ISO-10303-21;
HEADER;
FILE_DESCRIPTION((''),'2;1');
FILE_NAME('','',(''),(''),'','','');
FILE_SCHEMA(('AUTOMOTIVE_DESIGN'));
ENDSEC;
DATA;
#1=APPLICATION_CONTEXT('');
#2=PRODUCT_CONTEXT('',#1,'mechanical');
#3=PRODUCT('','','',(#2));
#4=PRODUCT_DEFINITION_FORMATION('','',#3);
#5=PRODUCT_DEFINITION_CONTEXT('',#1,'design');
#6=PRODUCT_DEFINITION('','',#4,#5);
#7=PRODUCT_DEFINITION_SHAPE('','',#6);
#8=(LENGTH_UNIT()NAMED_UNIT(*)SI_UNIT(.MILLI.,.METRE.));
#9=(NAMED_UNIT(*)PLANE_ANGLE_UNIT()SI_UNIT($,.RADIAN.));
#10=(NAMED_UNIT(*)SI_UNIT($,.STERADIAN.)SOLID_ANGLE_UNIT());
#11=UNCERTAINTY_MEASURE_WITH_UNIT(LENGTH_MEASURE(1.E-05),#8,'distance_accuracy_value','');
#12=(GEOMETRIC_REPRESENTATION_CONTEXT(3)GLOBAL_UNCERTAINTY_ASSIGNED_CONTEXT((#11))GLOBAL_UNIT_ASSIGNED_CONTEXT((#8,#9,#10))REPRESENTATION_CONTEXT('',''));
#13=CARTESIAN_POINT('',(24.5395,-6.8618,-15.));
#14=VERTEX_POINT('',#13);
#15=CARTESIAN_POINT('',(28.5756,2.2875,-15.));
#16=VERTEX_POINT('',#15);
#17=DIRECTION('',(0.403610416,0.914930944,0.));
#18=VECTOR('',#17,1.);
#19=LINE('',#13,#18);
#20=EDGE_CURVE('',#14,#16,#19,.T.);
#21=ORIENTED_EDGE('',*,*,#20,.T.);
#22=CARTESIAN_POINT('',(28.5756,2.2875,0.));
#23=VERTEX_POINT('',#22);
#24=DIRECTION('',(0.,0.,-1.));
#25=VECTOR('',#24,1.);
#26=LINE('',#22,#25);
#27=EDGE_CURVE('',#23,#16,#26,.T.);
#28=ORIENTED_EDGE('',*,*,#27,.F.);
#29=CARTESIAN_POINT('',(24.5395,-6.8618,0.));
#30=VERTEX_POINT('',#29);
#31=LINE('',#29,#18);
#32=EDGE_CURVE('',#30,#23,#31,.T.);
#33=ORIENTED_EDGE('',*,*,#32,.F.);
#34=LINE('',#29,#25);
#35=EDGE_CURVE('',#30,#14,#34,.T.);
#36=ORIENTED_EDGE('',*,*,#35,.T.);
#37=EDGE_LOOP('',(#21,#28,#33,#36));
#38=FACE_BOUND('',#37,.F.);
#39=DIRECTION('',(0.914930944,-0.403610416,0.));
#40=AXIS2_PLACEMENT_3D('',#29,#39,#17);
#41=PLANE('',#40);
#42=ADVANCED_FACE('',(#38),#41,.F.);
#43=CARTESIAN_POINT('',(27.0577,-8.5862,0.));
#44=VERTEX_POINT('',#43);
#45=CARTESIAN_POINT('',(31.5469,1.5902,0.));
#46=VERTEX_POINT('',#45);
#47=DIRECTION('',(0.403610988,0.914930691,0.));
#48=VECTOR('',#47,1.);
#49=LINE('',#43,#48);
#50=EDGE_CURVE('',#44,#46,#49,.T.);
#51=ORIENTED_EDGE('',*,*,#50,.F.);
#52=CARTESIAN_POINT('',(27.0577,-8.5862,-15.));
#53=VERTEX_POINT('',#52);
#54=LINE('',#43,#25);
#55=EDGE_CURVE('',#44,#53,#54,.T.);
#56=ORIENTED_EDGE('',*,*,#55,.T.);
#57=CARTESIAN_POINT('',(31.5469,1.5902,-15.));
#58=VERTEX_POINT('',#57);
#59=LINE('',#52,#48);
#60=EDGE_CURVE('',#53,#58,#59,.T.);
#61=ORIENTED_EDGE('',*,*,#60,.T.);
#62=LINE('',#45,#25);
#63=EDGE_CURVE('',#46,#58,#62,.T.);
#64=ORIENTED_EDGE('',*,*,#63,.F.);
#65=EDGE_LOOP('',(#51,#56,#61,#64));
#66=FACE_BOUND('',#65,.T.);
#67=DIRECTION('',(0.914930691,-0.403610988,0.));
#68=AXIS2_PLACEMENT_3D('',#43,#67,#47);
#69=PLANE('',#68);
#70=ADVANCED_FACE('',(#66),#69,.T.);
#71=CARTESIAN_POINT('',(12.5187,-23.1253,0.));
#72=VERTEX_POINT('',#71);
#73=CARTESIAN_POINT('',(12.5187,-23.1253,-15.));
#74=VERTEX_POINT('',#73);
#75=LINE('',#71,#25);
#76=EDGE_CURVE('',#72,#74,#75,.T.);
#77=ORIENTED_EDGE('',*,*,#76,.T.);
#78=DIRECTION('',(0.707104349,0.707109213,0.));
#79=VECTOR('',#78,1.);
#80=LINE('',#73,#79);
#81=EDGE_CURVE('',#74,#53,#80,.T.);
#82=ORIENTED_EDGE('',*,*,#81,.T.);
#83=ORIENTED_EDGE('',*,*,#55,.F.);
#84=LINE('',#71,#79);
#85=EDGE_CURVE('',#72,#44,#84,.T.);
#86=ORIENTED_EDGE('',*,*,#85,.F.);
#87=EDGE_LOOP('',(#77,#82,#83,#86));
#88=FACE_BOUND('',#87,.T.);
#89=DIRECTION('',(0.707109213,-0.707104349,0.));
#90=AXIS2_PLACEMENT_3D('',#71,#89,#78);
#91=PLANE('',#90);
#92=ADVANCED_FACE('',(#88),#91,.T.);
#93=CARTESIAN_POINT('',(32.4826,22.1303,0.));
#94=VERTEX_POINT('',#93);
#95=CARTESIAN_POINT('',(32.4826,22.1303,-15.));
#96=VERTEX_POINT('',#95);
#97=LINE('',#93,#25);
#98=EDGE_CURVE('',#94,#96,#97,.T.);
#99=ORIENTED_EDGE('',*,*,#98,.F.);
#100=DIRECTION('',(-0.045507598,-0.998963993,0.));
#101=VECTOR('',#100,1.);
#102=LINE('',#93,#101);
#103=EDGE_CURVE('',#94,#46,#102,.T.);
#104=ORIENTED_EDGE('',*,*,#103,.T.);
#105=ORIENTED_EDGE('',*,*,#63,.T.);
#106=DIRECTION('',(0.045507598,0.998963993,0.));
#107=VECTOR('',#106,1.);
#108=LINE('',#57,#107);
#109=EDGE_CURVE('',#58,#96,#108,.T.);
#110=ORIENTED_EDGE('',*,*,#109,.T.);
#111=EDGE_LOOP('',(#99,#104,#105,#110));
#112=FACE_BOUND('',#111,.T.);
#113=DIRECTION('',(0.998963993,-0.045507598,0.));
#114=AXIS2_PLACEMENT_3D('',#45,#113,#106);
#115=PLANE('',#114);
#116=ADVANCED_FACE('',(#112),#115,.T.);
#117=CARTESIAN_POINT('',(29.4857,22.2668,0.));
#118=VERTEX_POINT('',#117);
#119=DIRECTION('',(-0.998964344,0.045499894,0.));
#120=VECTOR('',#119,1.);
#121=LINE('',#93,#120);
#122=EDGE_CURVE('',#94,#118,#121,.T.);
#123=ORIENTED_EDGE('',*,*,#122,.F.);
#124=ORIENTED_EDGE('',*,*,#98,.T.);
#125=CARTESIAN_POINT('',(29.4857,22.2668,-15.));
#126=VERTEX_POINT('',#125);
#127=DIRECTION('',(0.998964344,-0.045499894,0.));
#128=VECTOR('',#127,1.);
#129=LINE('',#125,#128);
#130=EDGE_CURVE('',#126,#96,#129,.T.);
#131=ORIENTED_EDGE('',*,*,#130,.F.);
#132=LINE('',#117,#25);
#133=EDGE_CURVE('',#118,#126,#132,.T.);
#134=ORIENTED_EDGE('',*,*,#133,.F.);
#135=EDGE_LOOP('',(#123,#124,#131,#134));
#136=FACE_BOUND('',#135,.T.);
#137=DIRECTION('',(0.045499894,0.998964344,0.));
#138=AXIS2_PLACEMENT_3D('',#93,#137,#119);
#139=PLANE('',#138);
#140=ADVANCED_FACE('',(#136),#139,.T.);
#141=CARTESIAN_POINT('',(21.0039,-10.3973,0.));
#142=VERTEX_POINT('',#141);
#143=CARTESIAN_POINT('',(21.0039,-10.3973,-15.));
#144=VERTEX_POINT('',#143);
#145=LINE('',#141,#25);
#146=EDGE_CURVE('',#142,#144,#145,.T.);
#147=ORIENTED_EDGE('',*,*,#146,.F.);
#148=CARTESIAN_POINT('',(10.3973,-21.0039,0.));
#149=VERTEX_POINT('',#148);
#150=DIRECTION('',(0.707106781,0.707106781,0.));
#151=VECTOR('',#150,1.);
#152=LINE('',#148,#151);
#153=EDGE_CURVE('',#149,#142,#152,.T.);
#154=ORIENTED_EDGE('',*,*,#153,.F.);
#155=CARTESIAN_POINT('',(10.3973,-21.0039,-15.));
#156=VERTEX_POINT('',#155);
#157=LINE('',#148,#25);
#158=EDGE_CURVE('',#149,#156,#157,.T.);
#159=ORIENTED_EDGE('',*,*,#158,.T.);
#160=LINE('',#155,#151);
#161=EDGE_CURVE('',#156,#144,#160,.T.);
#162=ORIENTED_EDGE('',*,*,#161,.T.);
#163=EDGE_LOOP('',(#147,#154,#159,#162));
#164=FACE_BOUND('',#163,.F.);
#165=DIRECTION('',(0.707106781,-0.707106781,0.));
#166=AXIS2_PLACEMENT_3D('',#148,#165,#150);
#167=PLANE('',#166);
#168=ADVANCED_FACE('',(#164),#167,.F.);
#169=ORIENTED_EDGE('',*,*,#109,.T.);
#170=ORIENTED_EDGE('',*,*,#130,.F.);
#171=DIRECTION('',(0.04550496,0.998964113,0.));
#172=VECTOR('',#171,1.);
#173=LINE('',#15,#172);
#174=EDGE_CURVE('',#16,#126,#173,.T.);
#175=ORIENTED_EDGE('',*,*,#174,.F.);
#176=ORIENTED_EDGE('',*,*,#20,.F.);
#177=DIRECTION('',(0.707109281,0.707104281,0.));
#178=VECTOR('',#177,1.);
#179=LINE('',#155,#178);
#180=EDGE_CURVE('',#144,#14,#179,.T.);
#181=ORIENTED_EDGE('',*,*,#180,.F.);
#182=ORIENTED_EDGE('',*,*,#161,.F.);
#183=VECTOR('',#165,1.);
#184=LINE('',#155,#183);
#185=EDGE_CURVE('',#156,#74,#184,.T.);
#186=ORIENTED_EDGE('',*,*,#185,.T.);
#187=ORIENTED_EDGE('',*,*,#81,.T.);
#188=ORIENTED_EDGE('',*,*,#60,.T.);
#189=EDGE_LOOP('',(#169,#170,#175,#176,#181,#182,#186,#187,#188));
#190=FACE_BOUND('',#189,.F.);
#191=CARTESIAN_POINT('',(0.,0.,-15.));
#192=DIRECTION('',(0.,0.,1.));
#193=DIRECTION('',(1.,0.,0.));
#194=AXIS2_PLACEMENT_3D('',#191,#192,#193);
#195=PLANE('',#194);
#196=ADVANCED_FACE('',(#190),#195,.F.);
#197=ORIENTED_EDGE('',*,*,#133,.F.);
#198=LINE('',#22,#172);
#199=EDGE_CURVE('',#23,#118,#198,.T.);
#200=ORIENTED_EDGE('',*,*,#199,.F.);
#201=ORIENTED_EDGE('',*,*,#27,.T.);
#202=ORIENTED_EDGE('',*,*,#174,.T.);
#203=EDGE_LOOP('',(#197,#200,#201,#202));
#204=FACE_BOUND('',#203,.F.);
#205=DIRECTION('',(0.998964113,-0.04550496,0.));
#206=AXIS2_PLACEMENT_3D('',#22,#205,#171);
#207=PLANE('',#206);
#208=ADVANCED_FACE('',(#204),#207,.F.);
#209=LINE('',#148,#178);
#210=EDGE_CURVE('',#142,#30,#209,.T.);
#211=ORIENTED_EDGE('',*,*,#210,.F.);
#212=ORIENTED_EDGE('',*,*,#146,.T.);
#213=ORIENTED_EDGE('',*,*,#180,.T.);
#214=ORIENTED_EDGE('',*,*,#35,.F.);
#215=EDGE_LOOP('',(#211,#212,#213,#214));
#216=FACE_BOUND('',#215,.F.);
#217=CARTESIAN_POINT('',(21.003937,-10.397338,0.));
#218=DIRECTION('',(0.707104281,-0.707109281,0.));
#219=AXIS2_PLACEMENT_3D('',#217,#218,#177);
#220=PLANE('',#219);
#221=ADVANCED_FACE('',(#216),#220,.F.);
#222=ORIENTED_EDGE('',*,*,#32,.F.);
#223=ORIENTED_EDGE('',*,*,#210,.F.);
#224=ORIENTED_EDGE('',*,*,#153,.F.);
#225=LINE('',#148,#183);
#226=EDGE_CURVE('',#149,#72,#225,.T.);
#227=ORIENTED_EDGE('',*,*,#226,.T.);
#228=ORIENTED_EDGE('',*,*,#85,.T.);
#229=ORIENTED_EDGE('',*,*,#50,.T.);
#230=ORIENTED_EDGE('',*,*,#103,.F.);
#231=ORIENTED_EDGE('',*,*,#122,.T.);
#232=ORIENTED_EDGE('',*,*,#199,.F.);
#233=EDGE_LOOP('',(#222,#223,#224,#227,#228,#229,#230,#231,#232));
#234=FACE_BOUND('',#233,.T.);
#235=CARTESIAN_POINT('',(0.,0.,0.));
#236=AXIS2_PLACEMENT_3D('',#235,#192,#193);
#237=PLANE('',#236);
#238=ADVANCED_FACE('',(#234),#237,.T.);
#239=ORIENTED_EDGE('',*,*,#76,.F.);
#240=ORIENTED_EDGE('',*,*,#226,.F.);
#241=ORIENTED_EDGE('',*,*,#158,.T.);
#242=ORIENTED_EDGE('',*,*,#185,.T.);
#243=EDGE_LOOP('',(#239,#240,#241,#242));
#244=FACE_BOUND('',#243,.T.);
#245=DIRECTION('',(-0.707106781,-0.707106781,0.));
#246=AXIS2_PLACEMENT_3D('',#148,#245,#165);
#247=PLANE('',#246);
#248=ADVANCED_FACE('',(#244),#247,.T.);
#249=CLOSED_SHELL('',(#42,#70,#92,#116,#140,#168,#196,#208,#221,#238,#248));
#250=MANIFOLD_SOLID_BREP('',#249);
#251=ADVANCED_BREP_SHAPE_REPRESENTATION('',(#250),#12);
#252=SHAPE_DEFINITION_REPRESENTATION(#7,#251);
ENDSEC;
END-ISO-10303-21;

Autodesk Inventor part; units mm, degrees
ref_plane "YZ Plane" through (0, 0, 0) normal (1, 0, 0) x (0, 1, 0)
ref_plane "XZ Plane" through (0, 0, 0) normal (0, 1, 0) x (-1, 0, 0)
ref_plane "XY Plane" through (0, 0, 0) normal (0, 0, 1) x (1, 0, 0)
sketch "Sketch1" plane through (0, 0, 0) normal (0, 0, 1) x (1, 0, 0)
  line L0 (32.3537, 16.5891) -> (29.3568, 16.7256) projected
  line L1 (32.3537, 16.5891) -> (32.8543, 27.5777) projected
  line L2 (29.8574, 27.7142) -> (32.8543, 27.5777) projected
  line L3 (29.8574, 27.7142) -> (29.3568, 16.7256) projected
  circle A0 centre (3.6798, 7.8202) radius 1 projected
  circle A1 centre (-7.8202, -3.6798) radius 1 projected
  arc A2 (-1.5944, -1.6537) -> (-1.7076, -1.1208) centre (-2.0611, -1.4744) ccw projected
  line L4 (-1.7076, -1.1208) -> (-2.7902, -0.0382) projected
  arc A3 (-2.7902, 0.6689) -> (-2.7902, -0.0382) centre (-2.4366, 0.3153) ccw projected
  line L5 (-2.7902, 0.6689) -> (-0.6689, 2.7902) projected
  arc A4 (0.0382, 2.7902) -> (-0.6689, 2.7902) centre (-0.3153, 2.4366) ccw projected
  line L6 (0.0382, 2.7902) -> (1.1208, 1.7076) projected
  arc A5 (1.1208, 1.7076) -> (1.6537, 1.5944) centre (1.4744, 2.0611) ccw projected
  arc A6 (-1.5944, -1.6537) -> (1.6537, 1.5944) centre (3.6798, -3.6798) ccw projected
  circle A7 centre (3.6798, -15.1798) radius 1 projected
  circle A8 centre (15.1798, -3.6798) radius 1 projected
  circle A9 centre (-10.1088, 10.1088) radius 3.075 projected
  line L7 (13.8898, -7.9883) -> (15.3389, -10.0747) projected
  arc A10 (15.1676, -11.991) -> (15.3389, -10.0747) centre (14.107, -10.9304) ccw projected
  line L8 (15.1676, -11.991) -> (11.991, -15.1676) projected
  arc A11 (10.0747, -15.3389) -> (11.991, -15.1676) centre (10.9304, -14.107) ccw projected
  line L9 (10.0747, -15.3389) -> (7.9883, -13.8898) projected
  arc A12 (7.7833, -11.5972) -> (7.9883, -13.8898) centre (8.844, -12.6578) ccw projected
  line L10 (7.7833, -11.5972) -> (11.5972, -7.7833) projected
  arc A13 (13.8898, -7.9883) -> (11.5972, -7.7833) centre (12.6578, -8.844) ccw projected
  line L11 (-7.8202, -5.6798) -> (-6.7452, -5.6798) projected
  arc A14 (-5.3309, -6.2656) -> (-6.7452, -5.6798) centre (-6.7452, -7.6798) ccw projected
  line L12 (-5.3309, -6.2656) -> (1.094, -12.6906) projected
  arc A15 (1.6798, -14.1048) -> (1.094, -12.6906) centre (-0.3202, -14.1048) ccw projected
  line L13 (1.6798, -14.1048) -> (1.6798, -15.1798) projected
  arc A16 (1.6798, -15.1798) -> (2.7432, -16.9469) centre (3.6798, -15.1798) ccw projected
  line L14 (2.7432, -16.9469) -> (10.3973, -21.0039) projected
  line L15 (10.3973, -21.0039) -> (21.0039, -10.3973) projected
  line L16 (21.0039, -10.3973) -> (16.9469, -2.7432) projected
  arc A17 (16.9469, -2.7432) -> (15.1798, -1.6798) centre (15.1798, -3.6798) ccw projected
  line L17 (15.1798, -1.6798) -> (14.1048, -1.6798) projected
  arc A18 (12.6906, -1.094) -> (14.1048, -1.6798) centre (14.1048, 0.3202) ccw projected
  line L18 (12.6906, -1.094) -> (6.2656, 5.3309) projected
  arc A19 (5.6798, 6.7452) -> (6.2656, 5.3309) centre (7.6798, 6.7452) ccw projected
  line L19 (5.6798, 6.7452) -> (5.6798, 7.8202) projected
  arc A20 (5.6798, 7.8202) -> (4.5964, 9.5978) centre (3.6798, 7.8202) ccw projected
  line L20 (4.5964, 9.5978) -> (-10.1088, 17.1798) projected
  arc A21 (-12.2301, 17.1798) -> (-10.1088, 17.1798) centre (-11.1694, 18.2405) ccw projected
  line L21 (-12.2301, 17.1798) -> (-13.6443, 18.594) projected
  line L22 (-18.594, 13.6443) -> (-13.6443, 18.594) projected
  line L23 (-17.1798, 12.2301) -> (-18.594, 13.6443) projected
  arc A22 (-17.1798, 10.1088) -> (-17.1798, 12.2301) centre (-18.2405, 11.1694) ccw projected
  line L24 (-17.1798, 10.1088) -> (-9.5978, -4.5964) projected
  arc A23 (-9.5978, -4.5964) -> (-7.8202, -5.6798) centre (-7.8202, -3.6798) ccw projected
  line L25 (10.3973, -21.0039) -> (24.5395, -6.8618)
  line L26 (24.5395, -6.8618) -> (28.5756, 2.2875)
  line L27 (28.5756, 2.2875) -> (29.4857, 22.2668)
  line L28 (10.3973, -21.0039) -> (29.4857, 22.2668)
  line L29 (10.3973, -21.0039) -> (12.5187, -23.1253)
  line L30 (12.5187, -23.1253) -> (27.0577, -8.5862)
  line L31 (27.0577, -8.5862) -> (31.5469, 1.5902)
  line L32 (31.5469, 1.5902) -> (32.4826, 22.1303)
  line L33 (32.4826, 22.1303) -> (29.4857, 22.2668)
  point P0 (0, 0)
  dimension "d0" = 20
  dimension "d1" = 10
  dimension "d2" = 20
  dimension "d3" = 3
  dimension "d4" = 3
  dimension "d5" = 3
extrude "Extrusion1" add sketch "Sketch1" against normal blind 15 contours L32 L31 L30 L29 L15 L25 L26 L27 L33 L3 L0 | L0 L3 L33 L32
ref_plane "Work Plane1" through (-35.8496, 25.243, 0) normal (-0.4036, -0.9149, 0) x (0, 0, 1)
properties part number "leg_holder_1"
